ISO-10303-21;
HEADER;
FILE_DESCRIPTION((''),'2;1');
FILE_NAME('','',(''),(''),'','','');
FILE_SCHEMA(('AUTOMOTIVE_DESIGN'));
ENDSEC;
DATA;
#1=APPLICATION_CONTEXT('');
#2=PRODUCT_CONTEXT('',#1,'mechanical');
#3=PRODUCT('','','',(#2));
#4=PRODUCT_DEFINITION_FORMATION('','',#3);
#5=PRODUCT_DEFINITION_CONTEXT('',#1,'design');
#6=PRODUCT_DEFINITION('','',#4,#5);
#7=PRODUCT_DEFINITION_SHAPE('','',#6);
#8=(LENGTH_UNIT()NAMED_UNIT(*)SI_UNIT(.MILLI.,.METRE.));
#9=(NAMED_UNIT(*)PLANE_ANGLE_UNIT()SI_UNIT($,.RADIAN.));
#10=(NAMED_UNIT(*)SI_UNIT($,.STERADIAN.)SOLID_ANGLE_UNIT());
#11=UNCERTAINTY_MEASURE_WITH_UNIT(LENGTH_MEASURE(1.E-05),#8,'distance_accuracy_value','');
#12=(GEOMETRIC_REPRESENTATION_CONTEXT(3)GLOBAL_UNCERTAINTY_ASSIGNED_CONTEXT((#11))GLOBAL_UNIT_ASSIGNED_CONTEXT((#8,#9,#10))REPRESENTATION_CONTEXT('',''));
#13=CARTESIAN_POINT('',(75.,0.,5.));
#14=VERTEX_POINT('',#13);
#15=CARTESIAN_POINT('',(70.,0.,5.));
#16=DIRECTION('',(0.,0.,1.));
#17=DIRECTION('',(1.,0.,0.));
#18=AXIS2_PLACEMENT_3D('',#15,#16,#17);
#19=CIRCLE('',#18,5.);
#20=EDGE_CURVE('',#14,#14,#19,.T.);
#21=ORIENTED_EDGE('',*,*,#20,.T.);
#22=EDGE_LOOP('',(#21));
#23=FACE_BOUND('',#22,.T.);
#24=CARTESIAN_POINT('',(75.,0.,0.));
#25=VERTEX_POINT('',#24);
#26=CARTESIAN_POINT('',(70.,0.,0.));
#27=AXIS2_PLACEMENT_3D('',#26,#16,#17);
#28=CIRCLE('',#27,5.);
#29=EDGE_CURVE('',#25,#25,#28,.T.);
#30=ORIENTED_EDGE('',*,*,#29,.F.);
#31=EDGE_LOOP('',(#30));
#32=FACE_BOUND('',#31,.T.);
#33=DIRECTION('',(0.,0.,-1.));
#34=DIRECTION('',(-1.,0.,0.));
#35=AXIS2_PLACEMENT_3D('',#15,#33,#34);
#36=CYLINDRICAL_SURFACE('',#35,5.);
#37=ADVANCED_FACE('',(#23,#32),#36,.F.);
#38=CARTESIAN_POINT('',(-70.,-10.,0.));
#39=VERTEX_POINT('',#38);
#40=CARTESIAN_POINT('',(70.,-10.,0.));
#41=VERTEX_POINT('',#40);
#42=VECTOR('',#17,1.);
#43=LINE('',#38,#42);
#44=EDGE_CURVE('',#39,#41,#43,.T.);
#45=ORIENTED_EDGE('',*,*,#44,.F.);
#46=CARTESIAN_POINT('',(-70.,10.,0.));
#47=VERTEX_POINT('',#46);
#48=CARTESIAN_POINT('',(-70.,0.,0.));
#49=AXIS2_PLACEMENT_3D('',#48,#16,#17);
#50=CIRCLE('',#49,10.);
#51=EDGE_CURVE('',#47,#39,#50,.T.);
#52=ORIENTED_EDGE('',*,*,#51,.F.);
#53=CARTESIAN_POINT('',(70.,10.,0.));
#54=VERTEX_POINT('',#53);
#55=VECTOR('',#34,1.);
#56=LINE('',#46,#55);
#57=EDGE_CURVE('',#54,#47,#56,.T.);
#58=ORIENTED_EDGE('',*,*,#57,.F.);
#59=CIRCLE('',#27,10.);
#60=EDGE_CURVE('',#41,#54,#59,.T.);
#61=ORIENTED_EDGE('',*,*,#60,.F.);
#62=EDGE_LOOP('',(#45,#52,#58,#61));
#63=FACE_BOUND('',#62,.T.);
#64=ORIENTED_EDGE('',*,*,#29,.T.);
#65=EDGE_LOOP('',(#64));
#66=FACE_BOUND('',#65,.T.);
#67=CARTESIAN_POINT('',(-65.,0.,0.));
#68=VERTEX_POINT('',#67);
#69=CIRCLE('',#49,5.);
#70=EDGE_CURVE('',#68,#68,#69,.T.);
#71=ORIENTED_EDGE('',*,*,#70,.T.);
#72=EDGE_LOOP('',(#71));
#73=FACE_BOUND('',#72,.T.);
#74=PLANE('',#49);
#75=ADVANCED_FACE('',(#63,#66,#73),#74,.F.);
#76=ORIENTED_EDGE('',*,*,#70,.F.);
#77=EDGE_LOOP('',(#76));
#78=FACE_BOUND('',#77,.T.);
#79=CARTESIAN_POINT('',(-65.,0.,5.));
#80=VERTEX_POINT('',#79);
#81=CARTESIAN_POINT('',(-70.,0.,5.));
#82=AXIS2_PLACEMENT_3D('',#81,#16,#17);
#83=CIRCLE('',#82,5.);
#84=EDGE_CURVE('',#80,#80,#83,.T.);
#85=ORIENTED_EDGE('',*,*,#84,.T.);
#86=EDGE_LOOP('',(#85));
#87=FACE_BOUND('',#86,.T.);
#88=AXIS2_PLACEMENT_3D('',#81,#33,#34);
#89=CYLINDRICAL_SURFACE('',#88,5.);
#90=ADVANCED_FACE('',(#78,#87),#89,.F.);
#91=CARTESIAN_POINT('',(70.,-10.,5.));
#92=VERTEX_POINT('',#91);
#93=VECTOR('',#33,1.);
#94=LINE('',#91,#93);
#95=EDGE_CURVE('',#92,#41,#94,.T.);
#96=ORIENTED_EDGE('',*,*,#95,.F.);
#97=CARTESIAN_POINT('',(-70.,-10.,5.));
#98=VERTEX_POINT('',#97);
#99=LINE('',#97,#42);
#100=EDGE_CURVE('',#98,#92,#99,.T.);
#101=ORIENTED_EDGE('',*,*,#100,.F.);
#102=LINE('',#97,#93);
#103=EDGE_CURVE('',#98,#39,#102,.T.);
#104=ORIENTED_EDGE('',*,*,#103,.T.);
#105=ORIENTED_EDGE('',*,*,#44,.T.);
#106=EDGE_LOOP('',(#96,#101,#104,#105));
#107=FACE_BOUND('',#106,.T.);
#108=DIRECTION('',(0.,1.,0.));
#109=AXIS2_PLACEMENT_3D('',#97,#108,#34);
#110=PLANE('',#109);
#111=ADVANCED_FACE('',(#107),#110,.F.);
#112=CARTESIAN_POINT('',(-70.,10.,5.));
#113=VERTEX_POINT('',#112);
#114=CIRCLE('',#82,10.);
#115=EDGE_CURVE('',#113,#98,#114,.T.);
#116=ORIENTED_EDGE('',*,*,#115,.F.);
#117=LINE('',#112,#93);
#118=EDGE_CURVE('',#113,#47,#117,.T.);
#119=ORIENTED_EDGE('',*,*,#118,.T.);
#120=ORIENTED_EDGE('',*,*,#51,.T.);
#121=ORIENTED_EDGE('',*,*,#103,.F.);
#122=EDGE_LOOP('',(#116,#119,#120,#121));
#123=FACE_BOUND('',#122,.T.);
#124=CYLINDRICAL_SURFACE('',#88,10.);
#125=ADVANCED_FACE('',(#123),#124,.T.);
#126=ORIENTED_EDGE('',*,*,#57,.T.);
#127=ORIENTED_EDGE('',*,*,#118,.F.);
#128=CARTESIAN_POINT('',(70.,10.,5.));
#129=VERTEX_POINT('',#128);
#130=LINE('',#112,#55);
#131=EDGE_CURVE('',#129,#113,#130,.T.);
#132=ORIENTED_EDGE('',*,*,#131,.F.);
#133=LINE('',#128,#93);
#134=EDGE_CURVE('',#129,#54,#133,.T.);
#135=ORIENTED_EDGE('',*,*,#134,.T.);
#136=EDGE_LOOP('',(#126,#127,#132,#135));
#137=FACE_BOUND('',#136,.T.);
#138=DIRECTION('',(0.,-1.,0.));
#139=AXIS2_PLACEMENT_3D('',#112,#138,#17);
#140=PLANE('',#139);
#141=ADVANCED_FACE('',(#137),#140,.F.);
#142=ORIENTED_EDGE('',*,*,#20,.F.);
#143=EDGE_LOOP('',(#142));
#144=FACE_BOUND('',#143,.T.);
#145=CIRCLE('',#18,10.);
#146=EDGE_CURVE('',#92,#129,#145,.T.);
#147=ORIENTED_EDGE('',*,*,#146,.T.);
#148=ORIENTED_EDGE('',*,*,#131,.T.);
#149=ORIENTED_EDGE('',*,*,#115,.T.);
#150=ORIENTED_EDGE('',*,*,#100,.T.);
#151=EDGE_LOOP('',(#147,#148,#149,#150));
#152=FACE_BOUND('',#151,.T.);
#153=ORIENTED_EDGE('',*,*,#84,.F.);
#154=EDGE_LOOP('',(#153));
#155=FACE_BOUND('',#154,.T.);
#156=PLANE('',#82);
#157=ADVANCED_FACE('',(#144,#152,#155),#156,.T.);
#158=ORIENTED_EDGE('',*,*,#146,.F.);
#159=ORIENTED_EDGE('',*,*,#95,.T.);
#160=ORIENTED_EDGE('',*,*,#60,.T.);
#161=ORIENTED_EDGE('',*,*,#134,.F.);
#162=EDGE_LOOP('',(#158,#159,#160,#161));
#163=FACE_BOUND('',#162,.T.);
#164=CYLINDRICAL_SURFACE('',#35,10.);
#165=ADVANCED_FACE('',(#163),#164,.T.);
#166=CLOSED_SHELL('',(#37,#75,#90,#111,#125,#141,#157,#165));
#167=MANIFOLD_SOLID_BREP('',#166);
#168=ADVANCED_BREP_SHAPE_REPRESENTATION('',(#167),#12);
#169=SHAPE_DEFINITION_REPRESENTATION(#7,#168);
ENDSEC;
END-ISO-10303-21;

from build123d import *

# Parameters (mm, degrees)
CROQUIS1_R              = 5
SALIENTE_EXTRUIR1_DEPTH = 5


with BuildPart() as part:
    # Croquis1 → Saliente-Extruir1 (new body)
    with BuildSketch(Plane.XY):
        with BuildLine():
            Line((-70, 10), (70, 10))
            ThreePointArc((70, 10), (80, 0), (70, -10))
            Line((70, -10), (-70, -10))
            ThreePointArc((-70, -10), (-80, 0), (-70, 10))
        make_face()
        with Locations((70, 0)):
            Circle(CROQUIS1_R, mode=Mode.SUBTRACT)
        with Locations((-70, 0)):
            Circle(CROQUIS1_R, mode=Mode.SUBTRACT)
    extrude(amount=SALIENTE_EXTRUIR1_DEPTH)


solid = part.part
